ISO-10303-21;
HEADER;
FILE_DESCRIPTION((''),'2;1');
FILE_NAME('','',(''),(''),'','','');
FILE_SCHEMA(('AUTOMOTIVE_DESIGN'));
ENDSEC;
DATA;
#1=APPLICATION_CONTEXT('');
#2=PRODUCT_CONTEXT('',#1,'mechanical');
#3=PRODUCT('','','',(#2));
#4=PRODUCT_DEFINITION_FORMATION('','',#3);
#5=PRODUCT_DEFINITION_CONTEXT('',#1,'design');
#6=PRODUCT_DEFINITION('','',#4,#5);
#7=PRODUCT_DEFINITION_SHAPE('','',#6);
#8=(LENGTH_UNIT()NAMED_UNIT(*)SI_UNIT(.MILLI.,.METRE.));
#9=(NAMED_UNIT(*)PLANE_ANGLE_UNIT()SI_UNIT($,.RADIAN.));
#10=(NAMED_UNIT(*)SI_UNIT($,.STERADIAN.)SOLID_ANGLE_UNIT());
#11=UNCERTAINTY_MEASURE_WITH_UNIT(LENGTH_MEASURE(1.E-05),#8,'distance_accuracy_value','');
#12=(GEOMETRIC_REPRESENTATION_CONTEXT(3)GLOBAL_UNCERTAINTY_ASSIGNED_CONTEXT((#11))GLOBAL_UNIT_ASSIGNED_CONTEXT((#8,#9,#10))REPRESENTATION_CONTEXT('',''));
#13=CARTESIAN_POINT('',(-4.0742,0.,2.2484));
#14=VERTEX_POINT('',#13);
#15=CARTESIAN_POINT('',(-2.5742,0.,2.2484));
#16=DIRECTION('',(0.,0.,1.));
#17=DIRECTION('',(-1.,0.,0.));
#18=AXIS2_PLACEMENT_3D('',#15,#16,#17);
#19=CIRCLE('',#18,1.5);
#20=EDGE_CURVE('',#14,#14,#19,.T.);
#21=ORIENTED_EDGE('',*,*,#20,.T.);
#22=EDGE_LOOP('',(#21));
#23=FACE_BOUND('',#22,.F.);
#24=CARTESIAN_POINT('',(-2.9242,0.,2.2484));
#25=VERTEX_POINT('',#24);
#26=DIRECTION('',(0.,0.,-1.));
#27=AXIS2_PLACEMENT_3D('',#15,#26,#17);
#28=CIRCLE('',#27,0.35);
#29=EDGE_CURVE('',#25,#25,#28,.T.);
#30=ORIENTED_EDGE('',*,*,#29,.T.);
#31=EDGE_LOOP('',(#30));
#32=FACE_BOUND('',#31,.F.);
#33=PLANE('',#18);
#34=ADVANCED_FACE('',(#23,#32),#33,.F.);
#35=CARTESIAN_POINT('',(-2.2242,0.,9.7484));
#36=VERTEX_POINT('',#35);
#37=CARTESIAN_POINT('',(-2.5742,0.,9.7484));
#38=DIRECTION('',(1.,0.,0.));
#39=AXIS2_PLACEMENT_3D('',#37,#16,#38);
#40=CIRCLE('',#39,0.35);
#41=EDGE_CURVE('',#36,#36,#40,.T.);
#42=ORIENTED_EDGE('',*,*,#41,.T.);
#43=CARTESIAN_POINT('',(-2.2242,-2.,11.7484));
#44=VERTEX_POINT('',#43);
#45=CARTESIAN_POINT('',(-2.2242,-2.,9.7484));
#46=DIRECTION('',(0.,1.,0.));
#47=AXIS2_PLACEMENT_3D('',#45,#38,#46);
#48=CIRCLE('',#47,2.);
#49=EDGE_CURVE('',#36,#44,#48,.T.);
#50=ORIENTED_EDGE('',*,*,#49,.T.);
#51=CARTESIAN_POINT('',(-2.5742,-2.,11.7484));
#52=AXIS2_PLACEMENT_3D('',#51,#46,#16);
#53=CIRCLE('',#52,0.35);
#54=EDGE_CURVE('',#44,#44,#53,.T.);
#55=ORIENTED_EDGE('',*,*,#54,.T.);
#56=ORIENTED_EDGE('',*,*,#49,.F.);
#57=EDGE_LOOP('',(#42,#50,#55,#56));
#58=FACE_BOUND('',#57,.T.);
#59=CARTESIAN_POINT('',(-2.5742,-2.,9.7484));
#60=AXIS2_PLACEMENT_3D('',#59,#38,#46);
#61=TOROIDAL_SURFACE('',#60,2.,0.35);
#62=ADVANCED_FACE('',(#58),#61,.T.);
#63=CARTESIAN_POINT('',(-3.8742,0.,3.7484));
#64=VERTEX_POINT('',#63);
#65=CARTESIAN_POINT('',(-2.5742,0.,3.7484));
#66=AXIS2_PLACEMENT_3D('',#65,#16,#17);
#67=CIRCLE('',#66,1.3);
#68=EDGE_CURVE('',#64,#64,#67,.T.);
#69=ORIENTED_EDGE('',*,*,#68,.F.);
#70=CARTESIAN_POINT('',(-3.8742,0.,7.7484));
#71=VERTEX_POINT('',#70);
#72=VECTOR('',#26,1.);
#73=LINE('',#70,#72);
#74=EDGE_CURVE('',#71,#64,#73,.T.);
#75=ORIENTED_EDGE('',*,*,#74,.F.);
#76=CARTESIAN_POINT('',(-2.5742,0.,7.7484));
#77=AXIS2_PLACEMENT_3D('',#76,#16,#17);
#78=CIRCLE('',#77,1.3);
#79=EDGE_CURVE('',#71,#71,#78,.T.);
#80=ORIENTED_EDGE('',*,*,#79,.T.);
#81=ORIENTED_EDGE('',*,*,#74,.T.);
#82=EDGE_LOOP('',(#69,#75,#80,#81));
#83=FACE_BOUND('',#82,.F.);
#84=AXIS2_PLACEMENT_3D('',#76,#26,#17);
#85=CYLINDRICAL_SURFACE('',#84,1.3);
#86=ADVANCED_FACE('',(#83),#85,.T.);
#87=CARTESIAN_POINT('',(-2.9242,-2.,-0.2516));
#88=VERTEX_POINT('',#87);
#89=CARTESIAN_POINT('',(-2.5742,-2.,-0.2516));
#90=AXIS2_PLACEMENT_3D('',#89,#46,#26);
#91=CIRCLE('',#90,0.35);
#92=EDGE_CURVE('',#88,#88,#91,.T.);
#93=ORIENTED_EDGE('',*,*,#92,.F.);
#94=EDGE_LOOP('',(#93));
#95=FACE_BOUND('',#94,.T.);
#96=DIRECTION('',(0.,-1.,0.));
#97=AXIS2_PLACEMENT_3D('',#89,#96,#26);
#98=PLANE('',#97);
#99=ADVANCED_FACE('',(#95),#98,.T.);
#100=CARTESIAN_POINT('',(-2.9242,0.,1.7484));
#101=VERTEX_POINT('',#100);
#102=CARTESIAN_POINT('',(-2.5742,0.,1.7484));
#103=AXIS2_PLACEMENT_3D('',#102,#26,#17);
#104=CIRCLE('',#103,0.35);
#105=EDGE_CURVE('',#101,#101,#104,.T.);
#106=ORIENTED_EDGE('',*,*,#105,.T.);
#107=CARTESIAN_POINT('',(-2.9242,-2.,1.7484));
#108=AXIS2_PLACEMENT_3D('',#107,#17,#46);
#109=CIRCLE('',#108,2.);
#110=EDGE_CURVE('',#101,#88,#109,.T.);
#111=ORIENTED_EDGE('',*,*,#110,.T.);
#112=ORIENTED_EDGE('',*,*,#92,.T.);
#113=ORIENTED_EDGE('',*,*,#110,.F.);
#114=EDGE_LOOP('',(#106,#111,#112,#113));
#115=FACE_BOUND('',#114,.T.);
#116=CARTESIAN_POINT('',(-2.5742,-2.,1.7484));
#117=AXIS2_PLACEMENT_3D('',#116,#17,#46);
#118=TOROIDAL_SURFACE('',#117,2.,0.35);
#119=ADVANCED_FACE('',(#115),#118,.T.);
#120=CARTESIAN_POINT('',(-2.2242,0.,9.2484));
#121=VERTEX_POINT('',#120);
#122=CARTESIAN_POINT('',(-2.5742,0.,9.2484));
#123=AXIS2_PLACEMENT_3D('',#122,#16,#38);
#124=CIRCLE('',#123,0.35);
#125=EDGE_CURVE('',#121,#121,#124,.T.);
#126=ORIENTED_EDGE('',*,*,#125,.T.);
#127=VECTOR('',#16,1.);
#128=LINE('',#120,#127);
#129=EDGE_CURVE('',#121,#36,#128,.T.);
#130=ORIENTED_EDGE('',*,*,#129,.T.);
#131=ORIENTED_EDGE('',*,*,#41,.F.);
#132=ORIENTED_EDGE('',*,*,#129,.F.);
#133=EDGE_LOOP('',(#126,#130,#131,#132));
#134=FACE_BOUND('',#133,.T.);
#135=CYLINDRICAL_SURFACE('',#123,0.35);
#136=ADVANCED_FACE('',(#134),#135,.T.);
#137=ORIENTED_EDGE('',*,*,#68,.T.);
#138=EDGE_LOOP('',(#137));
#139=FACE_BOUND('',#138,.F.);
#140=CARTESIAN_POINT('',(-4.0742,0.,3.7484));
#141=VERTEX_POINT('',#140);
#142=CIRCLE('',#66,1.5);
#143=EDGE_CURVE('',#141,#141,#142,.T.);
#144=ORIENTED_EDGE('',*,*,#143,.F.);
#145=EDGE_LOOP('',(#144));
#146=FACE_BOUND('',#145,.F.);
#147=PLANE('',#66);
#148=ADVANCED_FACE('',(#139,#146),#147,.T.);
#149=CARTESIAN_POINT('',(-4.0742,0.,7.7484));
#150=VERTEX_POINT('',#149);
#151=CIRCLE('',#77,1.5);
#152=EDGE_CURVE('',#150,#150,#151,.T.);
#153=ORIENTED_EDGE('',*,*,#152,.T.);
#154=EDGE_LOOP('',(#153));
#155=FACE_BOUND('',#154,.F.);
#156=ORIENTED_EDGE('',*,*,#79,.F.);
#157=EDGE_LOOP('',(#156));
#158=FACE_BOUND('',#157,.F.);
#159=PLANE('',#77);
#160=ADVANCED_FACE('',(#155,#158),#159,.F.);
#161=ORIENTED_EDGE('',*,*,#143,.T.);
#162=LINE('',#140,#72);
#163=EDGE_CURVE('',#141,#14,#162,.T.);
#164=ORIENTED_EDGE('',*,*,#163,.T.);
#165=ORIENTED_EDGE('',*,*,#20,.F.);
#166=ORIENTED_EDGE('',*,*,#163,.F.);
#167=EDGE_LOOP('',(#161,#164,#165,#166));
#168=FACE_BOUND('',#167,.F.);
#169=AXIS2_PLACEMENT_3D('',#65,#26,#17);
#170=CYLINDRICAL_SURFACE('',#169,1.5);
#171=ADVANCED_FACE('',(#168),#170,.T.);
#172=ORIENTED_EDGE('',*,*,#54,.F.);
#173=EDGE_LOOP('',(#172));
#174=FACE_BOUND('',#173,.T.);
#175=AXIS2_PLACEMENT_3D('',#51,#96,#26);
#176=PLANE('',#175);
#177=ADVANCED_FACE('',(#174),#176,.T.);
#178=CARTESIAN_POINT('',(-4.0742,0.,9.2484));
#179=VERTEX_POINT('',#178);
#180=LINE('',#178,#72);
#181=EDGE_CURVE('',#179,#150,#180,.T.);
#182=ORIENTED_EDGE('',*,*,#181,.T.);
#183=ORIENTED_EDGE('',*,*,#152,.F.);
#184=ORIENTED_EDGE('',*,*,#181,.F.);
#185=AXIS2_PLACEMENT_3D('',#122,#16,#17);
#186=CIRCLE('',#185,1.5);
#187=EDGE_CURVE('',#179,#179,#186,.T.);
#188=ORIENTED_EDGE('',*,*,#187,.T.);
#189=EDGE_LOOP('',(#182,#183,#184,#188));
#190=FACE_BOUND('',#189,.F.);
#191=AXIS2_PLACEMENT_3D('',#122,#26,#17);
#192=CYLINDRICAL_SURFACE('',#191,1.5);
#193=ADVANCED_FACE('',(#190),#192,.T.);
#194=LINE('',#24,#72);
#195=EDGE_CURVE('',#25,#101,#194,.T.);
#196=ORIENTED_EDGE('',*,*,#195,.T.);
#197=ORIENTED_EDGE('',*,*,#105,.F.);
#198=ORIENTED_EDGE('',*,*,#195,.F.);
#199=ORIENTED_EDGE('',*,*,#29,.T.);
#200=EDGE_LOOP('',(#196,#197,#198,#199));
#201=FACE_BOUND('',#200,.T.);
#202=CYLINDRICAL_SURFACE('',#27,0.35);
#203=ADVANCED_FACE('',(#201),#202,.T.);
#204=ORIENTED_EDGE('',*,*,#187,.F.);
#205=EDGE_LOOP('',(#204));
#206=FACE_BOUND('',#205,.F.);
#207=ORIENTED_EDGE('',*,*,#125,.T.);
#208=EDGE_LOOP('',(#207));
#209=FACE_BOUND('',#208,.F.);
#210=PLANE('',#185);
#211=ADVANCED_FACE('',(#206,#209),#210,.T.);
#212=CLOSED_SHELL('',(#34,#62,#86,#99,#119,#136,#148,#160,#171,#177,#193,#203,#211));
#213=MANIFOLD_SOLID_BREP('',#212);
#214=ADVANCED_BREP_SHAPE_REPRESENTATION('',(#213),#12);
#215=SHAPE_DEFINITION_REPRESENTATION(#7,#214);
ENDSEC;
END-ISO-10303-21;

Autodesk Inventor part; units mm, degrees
ref_plane "YZ Plane" through (0, 0, 0) normal (1, 0, 0) x (0, 1, 0)
ref_plane "XZ Plane" through (0, 0, 0) normal (0, 1, 0) x (-1, 0, 0)
ref_plane "XY Plane" through (0, 0, 0) normal (0, 0, 1) x (1, 0, 0)
sketch "Эскиз1" plane through (0, 0, 0) normal (0, 1, 0) x (-1, 0, 0)
  line L0 (4.0742, 9.2484) -> (4.0742, 7.7484)
  line L1 (4.0742, 7.7484) -> (3.8742, 7.7484)
  line L2 (3.8742, 7.7484) -> (3.8742, 3.7484)
  line L3 (3.8742, 3.7484) -> (4.0742, 3.7484)
  line L4 (4.0742, 3.7484) -> (4.0742, 2.2484)
  line L5 (4.0742, 2.2484) -> (2.5742, 2.2484)
  line L6 (2.5742, 2.2484) -> (2.5742, 9.2484)
  line L7 (2.5742, 9.2484) -> (4.0742, 9.2484)
  point P0 (0, 0)
  dimension "d0" = 1.5
  dimension "d1" = 0.2
  dimension "d2" = 4
  dimension "d3" = 0.2
  dimension "d4" = 1.5
  dimension "d5" = 1.5
  dimension "d6" = 7
revolve "Вращение1" add sketch "Эскиз1" angle 360 about axis through (-2.5742, 0, 2.2484) along (0, 0, 1)
sketch "Эскиз2" plane through (-2.5742, 0, 9.2484) normal (0, 0, 1) x (1, 0, 0)
  circle A0 centre (0, 0) radius 1.3 projected
  circle A1 centre (0, 0) radius 0.35
  circle A2 centre (-6.8053, 0) radius 0.3139
  point P0 (2.5742, 0)
  dimension "d8" = 0.7
sketch "Эскиз3" plane through (-2.5742, 0, 2.2484) normal (0, 0, -1) x (-1, 0, 0)
  circle A0 centre (0, 0) radius 0.35
  point P0 (-2.5742, 0)
  dimension "d9" = 0.7
sketch3d "3D эскиз1"
  line L0 (-2.5742, 0, 2.2484) -> (-2.5742, 0, 1.7484)
  arc A0 (-2.5742, 0, 1.7484) -> (-2.5742, -2, -0.2516) centre (-2.5742, -2, 1.7484) ccw
  dimension "d10" = 2.5
  dimension "d11" = 2
  dimension "d16" = 2
sweep "Сдвиг2" add profiles "Эскиз3" path "3D эскиз1"
sketch3d "3D эскиз2"
  line L0 (-2.5742, 0, 9.2484) -> (-2.5742, 0, 9.7484)
  arc A0 (-2.5742, 0, 9.7484) -> (-2.5742, -2, 11.7484) centre (-2.5742, -2, 9.7484) ccw
  dimension "d12" = 2.5
  dimension "d13" = 2
  dimension "d19" = 2
sweep "Сдвиг3" add profiles "Эскиз2" path "3D эскиз2" contours A1
equation "\"D22\" = d10 + d6 + d12"
